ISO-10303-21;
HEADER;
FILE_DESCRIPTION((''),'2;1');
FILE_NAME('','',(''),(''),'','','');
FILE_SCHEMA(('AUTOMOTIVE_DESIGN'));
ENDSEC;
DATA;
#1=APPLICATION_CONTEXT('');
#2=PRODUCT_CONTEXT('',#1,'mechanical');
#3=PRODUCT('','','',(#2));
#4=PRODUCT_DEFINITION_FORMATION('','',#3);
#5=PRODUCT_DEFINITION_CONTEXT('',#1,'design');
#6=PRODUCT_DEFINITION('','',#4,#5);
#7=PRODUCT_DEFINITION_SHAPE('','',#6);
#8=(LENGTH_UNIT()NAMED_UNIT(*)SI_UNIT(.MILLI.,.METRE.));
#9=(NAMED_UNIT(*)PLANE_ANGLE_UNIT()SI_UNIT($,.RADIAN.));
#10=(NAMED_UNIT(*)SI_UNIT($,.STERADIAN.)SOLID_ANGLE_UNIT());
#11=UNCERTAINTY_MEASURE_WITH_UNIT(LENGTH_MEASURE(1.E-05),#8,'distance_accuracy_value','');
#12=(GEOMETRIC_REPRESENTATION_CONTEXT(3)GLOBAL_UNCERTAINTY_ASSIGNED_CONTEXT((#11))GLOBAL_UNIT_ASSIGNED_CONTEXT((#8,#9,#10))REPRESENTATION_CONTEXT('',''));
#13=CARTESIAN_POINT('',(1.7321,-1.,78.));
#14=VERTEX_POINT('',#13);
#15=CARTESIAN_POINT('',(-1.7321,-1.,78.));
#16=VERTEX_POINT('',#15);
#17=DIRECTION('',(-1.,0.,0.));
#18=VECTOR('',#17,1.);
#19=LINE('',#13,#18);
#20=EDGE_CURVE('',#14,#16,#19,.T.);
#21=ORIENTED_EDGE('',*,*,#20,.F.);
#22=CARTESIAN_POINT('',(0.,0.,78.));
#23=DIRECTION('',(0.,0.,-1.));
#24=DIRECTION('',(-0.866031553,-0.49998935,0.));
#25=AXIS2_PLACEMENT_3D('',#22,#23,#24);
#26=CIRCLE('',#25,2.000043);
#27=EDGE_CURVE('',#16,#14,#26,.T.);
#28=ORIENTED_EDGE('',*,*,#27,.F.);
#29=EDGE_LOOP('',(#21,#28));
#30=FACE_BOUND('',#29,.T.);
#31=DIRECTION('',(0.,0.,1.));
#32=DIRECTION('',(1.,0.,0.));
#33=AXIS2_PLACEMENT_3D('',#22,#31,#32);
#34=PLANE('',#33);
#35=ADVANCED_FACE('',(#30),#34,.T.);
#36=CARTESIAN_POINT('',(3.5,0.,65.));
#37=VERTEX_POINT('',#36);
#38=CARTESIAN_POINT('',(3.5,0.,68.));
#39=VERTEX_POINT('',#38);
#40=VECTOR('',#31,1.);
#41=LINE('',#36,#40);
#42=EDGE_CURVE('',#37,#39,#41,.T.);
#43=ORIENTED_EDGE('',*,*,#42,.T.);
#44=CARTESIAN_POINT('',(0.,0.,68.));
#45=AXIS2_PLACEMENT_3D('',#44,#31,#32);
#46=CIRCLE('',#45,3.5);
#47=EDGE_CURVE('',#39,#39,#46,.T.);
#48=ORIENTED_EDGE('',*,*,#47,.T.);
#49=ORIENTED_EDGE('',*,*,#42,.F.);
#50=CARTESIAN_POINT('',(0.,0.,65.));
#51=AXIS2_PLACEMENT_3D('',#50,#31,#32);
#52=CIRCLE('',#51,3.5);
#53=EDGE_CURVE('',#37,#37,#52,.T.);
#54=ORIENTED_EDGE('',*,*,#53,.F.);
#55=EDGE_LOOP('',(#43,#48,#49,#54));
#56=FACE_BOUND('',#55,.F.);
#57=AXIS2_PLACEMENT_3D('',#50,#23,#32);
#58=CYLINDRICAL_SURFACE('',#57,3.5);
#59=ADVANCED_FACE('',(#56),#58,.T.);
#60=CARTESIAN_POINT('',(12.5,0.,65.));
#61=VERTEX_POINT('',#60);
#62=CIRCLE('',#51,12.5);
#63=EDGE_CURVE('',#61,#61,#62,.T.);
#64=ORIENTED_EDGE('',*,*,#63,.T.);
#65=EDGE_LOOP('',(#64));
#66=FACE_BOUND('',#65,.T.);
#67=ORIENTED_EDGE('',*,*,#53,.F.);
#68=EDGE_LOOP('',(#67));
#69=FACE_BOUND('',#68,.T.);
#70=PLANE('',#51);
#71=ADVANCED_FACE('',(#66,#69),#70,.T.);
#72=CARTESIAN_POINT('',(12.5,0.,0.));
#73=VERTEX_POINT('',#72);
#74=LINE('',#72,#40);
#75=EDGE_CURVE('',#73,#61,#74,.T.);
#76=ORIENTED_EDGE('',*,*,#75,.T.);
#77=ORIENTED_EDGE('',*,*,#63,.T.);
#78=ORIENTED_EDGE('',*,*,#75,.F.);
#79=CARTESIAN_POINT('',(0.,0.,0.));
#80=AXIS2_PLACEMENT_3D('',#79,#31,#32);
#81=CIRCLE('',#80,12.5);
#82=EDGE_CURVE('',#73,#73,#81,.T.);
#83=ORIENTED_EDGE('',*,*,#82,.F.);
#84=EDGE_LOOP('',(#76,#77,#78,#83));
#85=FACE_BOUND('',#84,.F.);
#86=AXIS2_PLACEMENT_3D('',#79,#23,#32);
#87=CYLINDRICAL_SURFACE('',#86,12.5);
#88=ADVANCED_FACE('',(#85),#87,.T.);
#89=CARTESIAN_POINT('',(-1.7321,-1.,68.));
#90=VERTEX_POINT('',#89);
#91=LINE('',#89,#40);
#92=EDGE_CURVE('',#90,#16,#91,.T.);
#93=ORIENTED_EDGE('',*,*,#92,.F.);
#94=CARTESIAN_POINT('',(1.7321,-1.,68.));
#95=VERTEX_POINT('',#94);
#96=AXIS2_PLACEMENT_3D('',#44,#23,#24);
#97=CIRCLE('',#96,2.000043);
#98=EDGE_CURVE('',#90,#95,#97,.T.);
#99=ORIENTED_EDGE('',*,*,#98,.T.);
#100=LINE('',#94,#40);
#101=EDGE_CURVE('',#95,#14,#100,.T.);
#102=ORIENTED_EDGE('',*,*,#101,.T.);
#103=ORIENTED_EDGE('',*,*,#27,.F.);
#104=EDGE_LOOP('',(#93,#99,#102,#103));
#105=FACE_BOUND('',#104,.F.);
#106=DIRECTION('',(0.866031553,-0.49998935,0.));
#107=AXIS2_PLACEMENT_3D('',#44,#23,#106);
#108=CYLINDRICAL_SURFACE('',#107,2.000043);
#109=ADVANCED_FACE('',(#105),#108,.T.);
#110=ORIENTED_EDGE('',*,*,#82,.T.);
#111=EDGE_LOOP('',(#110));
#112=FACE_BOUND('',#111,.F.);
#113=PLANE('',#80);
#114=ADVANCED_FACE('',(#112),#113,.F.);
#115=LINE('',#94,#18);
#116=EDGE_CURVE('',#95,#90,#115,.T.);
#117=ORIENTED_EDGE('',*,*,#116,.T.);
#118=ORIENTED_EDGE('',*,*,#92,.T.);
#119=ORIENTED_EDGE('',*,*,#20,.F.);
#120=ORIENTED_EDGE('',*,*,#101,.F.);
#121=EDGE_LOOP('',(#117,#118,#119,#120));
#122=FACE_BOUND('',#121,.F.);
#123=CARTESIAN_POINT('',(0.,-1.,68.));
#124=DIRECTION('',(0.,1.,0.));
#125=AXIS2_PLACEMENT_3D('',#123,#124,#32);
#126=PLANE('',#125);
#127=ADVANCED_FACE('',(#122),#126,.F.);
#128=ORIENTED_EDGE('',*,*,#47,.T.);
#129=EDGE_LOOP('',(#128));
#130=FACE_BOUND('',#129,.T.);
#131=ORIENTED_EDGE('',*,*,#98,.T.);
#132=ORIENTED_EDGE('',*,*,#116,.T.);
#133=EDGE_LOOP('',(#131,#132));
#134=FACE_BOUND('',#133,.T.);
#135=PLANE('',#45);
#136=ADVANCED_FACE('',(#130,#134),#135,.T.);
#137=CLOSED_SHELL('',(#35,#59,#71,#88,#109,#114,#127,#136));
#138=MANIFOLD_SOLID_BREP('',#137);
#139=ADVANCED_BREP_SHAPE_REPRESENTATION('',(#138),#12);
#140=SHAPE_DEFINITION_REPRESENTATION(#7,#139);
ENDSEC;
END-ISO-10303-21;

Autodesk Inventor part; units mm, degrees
ref_plane "YZ Plane" through (0, 0, 0) normal (1, 0, 0) x (0, 1, 0)
ref_plane "XZ Plane" through (0, 0, 0) normal (0, 1, 0) x (-1, 0, 0)
ref_plane "XY Plane" through (0, 0, 0) normal (0, 0, 1) x (1, 0, 0)
sketch "Skizze1" plane through (0, 0, 0) normal (0, 0, 1) x (1, 0, 0)
  circle A0 centre (0, 0) radius 12.5
  dimension "d0" = 25
extrude "Extrusion1" add sketch "Skizze1" along normal blind 65
sketch "Skizze2" plane through (0, 0, 65) normal (0, 0, 1) x (1, 0, 0)
  circle A0 centre (0, 0) radius 3.5
  dimension "d3" = 7
extrude "Extrusion2" add sketch "Skizze2" along normal blind 3
sketch "Skizze3" plane through (0, 0, 68) normal (0, 0, 1) x (1, 0, 0)
  arc A0 (1.7321, -1) -> (-1.7321, -1) centre (0, 0) ccw
  line L0 (0, 2) -> (0, -1)
  line L1 (-1.7321, -1) -> (1.7321, -1)
  dimension "d6" = 4
  dimension "d7" = 3
extrude "Extrusion3" add sketch "Skizze3" along normal blind 10
properties part number "Motorskizze"
